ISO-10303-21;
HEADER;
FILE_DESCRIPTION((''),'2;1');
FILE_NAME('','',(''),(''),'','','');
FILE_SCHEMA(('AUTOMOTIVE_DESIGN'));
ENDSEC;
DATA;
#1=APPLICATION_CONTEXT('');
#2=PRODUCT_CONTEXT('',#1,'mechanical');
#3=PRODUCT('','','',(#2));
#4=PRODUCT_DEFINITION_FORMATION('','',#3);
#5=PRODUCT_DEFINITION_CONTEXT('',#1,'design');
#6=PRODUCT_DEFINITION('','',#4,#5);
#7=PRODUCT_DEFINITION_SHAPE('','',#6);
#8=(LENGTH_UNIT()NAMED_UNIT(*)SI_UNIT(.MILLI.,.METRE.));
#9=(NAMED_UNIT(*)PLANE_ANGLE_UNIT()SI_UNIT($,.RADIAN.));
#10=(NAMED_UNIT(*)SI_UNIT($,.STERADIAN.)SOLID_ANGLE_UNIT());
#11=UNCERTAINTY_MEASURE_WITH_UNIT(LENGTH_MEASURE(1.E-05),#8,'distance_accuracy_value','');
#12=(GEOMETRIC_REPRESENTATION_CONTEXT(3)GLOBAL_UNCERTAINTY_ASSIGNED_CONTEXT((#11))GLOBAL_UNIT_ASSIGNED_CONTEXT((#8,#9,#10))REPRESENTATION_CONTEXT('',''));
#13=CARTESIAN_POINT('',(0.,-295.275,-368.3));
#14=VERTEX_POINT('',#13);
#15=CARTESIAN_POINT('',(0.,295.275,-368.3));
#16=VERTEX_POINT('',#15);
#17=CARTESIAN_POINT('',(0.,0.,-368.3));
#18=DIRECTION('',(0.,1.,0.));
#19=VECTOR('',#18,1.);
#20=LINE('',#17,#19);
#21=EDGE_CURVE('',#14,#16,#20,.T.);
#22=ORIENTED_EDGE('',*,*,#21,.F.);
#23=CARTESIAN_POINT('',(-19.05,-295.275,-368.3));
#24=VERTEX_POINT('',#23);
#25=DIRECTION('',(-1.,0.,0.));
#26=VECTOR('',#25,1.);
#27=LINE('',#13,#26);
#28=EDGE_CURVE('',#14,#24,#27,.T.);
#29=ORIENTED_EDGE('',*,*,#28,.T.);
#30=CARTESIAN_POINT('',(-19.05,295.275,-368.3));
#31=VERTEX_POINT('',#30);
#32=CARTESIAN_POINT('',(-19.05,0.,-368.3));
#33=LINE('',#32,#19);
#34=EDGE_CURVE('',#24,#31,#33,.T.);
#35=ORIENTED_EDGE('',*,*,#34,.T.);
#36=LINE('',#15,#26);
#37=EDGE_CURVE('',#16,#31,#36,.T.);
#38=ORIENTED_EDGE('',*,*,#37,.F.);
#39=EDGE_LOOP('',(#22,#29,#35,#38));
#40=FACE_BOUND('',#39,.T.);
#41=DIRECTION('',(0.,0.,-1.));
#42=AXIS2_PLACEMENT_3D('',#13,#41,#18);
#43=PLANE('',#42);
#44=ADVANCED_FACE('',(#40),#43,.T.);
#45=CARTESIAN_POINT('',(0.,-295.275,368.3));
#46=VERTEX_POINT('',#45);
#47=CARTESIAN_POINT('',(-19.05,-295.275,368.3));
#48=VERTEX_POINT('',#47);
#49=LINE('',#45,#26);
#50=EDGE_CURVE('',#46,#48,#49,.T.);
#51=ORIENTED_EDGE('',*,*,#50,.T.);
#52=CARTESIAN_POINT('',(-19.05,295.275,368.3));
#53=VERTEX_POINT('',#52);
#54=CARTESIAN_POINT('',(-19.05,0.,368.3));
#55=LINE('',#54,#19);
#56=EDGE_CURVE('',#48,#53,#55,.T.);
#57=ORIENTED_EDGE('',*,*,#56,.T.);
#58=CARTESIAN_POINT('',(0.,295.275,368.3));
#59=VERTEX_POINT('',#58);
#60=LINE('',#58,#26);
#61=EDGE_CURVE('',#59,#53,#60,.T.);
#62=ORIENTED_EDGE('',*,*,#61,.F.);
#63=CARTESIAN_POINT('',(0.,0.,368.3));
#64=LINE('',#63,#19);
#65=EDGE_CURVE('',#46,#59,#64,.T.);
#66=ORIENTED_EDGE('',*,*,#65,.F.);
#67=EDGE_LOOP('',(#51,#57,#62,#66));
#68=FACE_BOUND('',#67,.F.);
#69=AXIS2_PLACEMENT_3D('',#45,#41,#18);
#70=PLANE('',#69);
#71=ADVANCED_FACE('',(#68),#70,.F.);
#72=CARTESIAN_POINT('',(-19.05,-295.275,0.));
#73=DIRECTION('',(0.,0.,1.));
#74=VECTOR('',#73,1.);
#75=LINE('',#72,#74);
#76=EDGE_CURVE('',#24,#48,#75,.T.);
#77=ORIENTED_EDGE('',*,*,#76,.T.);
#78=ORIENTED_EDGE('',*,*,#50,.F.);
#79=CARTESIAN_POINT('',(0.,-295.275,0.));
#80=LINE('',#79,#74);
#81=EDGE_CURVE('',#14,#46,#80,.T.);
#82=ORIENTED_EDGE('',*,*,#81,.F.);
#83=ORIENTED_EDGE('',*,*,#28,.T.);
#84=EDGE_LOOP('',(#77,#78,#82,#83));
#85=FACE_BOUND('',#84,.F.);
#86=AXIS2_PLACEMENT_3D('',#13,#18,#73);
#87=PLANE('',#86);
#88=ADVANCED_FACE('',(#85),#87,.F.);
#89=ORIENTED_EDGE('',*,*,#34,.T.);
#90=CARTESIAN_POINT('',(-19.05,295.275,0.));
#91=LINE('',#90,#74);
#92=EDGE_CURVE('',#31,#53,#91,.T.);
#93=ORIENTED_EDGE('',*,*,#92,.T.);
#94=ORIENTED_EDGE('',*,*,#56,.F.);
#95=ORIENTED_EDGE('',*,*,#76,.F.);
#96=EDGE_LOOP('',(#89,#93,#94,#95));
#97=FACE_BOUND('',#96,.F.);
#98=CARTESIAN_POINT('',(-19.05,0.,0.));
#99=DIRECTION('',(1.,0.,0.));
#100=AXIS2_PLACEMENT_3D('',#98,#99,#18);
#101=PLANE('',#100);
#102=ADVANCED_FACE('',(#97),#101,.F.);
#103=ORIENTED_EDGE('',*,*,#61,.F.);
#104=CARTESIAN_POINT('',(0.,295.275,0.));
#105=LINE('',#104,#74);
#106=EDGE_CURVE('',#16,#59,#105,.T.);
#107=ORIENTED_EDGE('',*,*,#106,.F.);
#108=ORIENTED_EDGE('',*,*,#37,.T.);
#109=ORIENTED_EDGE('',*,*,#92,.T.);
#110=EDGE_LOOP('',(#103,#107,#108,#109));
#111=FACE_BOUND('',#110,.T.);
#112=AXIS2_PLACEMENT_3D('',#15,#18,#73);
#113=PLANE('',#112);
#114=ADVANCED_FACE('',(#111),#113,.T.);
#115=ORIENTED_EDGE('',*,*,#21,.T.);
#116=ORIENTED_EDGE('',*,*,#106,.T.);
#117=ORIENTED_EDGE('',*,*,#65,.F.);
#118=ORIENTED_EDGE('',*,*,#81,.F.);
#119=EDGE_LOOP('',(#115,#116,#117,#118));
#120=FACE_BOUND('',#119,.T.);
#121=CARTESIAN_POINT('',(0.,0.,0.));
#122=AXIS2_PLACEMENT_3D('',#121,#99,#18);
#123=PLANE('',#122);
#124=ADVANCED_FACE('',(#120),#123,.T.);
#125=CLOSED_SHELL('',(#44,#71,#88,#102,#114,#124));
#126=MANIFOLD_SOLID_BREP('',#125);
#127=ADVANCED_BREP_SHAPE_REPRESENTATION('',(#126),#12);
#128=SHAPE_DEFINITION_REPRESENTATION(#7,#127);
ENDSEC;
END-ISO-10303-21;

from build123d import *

# Parameters (mm, degrees)
F0_W     = 590.55
F0_H     = 736.6
F1_DEPTH = 19.05
F2_DEPTH = 19.05


with BuildPart() as f1:
    # F0 (on Right) → F1 (new body)
    with BuildSketch(Plane.YZ):
        Rectangle(F0_W, F0_H)
    extrude(amount=-F1_DEPTH)

    # F0 (on Right) → F2 (join)
    with BuildSketch(Plane.YZ):
        Rectangle(F0_W, F0_H)
    extrude(amount=-F2_DEPTH)


solid = f1.part
